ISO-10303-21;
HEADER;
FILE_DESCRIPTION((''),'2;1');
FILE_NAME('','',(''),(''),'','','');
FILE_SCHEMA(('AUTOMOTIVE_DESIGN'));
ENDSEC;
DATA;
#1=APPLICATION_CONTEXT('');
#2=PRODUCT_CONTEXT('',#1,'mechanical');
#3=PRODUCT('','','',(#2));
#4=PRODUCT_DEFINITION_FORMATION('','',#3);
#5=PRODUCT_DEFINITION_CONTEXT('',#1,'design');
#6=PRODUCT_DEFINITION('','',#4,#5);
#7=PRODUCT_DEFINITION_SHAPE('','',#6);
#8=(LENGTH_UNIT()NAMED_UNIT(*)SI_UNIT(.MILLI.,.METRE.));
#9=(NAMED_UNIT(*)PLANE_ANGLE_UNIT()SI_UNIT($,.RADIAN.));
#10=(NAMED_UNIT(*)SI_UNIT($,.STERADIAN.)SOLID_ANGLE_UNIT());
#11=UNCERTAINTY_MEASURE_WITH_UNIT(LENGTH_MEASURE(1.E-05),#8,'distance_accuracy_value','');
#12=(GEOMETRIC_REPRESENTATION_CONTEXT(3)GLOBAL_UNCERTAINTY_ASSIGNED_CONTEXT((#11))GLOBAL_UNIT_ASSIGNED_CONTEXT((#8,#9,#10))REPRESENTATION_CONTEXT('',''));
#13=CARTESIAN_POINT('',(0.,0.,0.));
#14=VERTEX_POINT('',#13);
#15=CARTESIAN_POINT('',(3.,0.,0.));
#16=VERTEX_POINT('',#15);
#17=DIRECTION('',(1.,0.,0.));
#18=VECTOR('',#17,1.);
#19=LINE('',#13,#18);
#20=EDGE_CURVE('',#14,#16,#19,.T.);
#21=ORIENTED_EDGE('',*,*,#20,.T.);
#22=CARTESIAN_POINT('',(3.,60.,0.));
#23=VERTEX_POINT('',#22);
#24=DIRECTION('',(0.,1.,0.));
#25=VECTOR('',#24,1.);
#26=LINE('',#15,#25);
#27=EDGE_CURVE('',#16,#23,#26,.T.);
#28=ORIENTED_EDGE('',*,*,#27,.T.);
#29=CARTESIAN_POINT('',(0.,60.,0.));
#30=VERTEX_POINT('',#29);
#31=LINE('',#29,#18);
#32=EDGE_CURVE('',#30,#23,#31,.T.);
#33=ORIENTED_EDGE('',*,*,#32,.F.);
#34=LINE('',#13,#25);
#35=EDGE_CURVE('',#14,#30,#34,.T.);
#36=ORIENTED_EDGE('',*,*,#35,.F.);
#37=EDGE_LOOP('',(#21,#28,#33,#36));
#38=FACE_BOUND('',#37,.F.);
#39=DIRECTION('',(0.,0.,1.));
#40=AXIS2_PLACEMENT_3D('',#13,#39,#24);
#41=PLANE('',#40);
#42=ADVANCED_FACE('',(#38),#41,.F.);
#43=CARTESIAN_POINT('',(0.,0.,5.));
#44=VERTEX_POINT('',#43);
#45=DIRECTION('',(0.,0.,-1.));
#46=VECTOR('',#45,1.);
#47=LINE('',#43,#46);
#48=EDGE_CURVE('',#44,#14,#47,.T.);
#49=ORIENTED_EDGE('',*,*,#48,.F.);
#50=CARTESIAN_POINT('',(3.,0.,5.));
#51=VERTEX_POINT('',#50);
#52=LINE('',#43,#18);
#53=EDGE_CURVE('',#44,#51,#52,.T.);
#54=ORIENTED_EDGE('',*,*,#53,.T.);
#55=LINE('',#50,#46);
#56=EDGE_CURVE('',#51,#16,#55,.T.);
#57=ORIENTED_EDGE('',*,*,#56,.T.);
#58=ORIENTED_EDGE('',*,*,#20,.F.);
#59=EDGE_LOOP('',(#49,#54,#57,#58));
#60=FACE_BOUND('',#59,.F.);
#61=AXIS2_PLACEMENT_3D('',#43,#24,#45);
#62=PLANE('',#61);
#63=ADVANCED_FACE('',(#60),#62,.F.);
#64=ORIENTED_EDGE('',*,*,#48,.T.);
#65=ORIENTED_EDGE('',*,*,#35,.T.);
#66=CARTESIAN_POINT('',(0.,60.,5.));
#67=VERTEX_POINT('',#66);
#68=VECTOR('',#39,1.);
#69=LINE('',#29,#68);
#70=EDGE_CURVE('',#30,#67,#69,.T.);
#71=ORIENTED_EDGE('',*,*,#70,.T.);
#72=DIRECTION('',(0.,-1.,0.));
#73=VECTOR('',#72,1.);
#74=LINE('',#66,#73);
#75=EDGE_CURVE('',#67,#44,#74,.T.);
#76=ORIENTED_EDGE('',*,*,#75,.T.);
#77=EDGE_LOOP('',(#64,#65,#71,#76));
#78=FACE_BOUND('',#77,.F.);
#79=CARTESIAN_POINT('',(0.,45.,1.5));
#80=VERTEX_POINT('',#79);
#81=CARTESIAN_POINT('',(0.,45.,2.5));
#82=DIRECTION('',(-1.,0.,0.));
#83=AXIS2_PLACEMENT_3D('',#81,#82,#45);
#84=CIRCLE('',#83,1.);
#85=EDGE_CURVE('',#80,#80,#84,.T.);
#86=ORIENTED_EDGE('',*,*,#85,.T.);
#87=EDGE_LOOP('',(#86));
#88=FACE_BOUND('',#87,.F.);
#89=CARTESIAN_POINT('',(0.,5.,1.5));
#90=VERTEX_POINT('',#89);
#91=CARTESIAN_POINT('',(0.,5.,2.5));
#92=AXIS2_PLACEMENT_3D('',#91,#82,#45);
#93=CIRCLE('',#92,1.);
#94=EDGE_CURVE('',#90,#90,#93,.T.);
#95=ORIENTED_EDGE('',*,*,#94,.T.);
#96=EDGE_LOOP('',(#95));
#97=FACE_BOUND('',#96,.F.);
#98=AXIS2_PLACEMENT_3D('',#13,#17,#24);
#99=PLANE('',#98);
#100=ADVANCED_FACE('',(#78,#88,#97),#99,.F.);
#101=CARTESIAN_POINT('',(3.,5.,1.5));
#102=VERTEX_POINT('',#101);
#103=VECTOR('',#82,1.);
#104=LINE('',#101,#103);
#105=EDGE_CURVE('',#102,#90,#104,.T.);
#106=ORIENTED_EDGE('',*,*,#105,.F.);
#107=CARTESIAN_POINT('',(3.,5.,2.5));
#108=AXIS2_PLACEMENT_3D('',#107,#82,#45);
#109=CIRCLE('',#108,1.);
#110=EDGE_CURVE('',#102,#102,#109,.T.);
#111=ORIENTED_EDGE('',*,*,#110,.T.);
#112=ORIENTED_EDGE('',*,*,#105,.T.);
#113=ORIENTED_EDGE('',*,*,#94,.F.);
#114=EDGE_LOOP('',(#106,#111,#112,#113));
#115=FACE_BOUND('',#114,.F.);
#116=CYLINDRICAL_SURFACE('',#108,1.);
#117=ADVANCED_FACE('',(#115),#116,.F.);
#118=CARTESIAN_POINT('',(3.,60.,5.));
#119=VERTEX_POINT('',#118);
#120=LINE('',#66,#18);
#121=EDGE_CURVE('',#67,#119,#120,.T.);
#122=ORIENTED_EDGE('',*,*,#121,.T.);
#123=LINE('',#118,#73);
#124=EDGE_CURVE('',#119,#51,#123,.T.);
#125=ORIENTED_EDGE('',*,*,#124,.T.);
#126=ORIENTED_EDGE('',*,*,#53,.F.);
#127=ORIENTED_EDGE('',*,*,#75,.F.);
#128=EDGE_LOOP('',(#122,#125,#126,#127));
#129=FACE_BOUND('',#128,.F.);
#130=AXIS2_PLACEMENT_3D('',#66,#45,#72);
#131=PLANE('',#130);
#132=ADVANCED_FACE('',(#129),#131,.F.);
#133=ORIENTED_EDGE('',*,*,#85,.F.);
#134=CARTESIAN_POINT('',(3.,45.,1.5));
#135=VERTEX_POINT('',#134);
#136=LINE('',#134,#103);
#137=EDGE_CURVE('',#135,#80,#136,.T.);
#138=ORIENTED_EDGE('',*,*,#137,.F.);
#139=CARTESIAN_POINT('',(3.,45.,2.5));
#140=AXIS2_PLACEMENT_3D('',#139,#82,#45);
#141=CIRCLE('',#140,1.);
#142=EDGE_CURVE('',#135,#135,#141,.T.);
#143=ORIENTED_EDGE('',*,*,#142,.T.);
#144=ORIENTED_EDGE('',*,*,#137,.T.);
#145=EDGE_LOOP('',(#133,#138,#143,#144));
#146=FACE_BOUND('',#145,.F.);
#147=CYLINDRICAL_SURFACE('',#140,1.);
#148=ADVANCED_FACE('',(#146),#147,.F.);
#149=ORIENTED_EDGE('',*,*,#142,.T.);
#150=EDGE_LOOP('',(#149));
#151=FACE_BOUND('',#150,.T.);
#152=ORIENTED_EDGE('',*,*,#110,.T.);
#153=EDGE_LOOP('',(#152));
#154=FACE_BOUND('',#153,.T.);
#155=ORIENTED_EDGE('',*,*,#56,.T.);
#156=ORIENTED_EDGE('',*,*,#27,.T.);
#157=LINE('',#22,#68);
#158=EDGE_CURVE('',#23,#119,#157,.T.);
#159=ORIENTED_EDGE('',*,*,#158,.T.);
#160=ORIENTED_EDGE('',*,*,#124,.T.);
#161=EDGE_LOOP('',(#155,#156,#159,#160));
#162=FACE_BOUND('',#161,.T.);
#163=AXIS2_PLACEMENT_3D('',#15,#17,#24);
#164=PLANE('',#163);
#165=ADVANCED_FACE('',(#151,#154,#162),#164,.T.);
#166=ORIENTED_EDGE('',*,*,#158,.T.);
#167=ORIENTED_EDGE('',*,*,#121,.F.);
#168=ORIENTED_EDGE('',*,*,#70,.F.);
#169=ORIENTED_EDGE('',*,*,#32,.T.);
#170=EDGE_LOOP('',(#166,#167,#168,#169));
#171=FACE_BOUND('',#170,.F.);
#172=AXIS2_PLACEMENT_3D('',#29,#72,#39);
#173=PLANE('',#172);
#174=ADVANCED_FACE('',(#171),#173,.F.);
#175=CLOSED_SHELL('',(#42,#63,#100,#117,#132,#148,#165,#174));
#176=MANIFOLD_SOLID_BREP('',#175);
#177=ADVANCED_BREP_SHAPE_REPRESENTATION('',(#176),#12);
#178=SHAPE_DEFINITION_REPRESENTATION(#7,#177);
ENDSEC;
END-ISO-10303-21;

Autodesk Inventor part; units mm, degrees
ref_plane "YZ Plane" through (0, 0, 0) normal (1, 0, 0) x (0, 1, 0)
ref_plane "XZ Plane" through (0, 0, 0) normal (0, 1, 0) x (-1, 0, 0)
ref_plane "XY Plane" through (0, 0, 0) normal (0, 0, 1) x (1, 0, 0)
sketch "Sketch1" plane through (0, 0, 0) normal (1, 0, 0) x (0, 1, 0)
  line L0 (0, 0) -> (60, 0)
  line L1 (60, 0) -> (60, 5)
  line L2 (60, 5) -> (0, 5)
  line L3 (0, 5) -> (0, 0)
  dimension "d0" = 60
  dimension "d1" = 5
extrude "Extrusion1" add sketch "Sketch1" along normal blind 3
sketch "Sketch2" plane through (3, 0, 0) normal (1, 0, 0) x (0, 0, -1)
  line L0 (-5, 0) -> (0, 0) projected
  line L1 (-5, 60) -> (-5, 0) projected
  point P0 (-2.5, 5)
  dimension "d4" = 5
  dimension "d5" = 2.5
hole "Hole1" at (3, 5, 2.5) direction (-1, 0, 0) diameter 2 end through all
sketch "Sketch3" plane through (3, 0, 0) normal (1, 0, 0) x (0, 0, -1)
  line L0 (-5, 0) -> (0, 0) projected
  line L1 (-5, 60) -> (-5, 0) projected
  point P0 (-2.5, 45)
  dimension "d13" = 45
  dimension "d14" = 2.5
hole "Hole2" at (3, 45, 2.5) direction (-1, 0, 0) diameter 2 end through all
properties part number "support"
